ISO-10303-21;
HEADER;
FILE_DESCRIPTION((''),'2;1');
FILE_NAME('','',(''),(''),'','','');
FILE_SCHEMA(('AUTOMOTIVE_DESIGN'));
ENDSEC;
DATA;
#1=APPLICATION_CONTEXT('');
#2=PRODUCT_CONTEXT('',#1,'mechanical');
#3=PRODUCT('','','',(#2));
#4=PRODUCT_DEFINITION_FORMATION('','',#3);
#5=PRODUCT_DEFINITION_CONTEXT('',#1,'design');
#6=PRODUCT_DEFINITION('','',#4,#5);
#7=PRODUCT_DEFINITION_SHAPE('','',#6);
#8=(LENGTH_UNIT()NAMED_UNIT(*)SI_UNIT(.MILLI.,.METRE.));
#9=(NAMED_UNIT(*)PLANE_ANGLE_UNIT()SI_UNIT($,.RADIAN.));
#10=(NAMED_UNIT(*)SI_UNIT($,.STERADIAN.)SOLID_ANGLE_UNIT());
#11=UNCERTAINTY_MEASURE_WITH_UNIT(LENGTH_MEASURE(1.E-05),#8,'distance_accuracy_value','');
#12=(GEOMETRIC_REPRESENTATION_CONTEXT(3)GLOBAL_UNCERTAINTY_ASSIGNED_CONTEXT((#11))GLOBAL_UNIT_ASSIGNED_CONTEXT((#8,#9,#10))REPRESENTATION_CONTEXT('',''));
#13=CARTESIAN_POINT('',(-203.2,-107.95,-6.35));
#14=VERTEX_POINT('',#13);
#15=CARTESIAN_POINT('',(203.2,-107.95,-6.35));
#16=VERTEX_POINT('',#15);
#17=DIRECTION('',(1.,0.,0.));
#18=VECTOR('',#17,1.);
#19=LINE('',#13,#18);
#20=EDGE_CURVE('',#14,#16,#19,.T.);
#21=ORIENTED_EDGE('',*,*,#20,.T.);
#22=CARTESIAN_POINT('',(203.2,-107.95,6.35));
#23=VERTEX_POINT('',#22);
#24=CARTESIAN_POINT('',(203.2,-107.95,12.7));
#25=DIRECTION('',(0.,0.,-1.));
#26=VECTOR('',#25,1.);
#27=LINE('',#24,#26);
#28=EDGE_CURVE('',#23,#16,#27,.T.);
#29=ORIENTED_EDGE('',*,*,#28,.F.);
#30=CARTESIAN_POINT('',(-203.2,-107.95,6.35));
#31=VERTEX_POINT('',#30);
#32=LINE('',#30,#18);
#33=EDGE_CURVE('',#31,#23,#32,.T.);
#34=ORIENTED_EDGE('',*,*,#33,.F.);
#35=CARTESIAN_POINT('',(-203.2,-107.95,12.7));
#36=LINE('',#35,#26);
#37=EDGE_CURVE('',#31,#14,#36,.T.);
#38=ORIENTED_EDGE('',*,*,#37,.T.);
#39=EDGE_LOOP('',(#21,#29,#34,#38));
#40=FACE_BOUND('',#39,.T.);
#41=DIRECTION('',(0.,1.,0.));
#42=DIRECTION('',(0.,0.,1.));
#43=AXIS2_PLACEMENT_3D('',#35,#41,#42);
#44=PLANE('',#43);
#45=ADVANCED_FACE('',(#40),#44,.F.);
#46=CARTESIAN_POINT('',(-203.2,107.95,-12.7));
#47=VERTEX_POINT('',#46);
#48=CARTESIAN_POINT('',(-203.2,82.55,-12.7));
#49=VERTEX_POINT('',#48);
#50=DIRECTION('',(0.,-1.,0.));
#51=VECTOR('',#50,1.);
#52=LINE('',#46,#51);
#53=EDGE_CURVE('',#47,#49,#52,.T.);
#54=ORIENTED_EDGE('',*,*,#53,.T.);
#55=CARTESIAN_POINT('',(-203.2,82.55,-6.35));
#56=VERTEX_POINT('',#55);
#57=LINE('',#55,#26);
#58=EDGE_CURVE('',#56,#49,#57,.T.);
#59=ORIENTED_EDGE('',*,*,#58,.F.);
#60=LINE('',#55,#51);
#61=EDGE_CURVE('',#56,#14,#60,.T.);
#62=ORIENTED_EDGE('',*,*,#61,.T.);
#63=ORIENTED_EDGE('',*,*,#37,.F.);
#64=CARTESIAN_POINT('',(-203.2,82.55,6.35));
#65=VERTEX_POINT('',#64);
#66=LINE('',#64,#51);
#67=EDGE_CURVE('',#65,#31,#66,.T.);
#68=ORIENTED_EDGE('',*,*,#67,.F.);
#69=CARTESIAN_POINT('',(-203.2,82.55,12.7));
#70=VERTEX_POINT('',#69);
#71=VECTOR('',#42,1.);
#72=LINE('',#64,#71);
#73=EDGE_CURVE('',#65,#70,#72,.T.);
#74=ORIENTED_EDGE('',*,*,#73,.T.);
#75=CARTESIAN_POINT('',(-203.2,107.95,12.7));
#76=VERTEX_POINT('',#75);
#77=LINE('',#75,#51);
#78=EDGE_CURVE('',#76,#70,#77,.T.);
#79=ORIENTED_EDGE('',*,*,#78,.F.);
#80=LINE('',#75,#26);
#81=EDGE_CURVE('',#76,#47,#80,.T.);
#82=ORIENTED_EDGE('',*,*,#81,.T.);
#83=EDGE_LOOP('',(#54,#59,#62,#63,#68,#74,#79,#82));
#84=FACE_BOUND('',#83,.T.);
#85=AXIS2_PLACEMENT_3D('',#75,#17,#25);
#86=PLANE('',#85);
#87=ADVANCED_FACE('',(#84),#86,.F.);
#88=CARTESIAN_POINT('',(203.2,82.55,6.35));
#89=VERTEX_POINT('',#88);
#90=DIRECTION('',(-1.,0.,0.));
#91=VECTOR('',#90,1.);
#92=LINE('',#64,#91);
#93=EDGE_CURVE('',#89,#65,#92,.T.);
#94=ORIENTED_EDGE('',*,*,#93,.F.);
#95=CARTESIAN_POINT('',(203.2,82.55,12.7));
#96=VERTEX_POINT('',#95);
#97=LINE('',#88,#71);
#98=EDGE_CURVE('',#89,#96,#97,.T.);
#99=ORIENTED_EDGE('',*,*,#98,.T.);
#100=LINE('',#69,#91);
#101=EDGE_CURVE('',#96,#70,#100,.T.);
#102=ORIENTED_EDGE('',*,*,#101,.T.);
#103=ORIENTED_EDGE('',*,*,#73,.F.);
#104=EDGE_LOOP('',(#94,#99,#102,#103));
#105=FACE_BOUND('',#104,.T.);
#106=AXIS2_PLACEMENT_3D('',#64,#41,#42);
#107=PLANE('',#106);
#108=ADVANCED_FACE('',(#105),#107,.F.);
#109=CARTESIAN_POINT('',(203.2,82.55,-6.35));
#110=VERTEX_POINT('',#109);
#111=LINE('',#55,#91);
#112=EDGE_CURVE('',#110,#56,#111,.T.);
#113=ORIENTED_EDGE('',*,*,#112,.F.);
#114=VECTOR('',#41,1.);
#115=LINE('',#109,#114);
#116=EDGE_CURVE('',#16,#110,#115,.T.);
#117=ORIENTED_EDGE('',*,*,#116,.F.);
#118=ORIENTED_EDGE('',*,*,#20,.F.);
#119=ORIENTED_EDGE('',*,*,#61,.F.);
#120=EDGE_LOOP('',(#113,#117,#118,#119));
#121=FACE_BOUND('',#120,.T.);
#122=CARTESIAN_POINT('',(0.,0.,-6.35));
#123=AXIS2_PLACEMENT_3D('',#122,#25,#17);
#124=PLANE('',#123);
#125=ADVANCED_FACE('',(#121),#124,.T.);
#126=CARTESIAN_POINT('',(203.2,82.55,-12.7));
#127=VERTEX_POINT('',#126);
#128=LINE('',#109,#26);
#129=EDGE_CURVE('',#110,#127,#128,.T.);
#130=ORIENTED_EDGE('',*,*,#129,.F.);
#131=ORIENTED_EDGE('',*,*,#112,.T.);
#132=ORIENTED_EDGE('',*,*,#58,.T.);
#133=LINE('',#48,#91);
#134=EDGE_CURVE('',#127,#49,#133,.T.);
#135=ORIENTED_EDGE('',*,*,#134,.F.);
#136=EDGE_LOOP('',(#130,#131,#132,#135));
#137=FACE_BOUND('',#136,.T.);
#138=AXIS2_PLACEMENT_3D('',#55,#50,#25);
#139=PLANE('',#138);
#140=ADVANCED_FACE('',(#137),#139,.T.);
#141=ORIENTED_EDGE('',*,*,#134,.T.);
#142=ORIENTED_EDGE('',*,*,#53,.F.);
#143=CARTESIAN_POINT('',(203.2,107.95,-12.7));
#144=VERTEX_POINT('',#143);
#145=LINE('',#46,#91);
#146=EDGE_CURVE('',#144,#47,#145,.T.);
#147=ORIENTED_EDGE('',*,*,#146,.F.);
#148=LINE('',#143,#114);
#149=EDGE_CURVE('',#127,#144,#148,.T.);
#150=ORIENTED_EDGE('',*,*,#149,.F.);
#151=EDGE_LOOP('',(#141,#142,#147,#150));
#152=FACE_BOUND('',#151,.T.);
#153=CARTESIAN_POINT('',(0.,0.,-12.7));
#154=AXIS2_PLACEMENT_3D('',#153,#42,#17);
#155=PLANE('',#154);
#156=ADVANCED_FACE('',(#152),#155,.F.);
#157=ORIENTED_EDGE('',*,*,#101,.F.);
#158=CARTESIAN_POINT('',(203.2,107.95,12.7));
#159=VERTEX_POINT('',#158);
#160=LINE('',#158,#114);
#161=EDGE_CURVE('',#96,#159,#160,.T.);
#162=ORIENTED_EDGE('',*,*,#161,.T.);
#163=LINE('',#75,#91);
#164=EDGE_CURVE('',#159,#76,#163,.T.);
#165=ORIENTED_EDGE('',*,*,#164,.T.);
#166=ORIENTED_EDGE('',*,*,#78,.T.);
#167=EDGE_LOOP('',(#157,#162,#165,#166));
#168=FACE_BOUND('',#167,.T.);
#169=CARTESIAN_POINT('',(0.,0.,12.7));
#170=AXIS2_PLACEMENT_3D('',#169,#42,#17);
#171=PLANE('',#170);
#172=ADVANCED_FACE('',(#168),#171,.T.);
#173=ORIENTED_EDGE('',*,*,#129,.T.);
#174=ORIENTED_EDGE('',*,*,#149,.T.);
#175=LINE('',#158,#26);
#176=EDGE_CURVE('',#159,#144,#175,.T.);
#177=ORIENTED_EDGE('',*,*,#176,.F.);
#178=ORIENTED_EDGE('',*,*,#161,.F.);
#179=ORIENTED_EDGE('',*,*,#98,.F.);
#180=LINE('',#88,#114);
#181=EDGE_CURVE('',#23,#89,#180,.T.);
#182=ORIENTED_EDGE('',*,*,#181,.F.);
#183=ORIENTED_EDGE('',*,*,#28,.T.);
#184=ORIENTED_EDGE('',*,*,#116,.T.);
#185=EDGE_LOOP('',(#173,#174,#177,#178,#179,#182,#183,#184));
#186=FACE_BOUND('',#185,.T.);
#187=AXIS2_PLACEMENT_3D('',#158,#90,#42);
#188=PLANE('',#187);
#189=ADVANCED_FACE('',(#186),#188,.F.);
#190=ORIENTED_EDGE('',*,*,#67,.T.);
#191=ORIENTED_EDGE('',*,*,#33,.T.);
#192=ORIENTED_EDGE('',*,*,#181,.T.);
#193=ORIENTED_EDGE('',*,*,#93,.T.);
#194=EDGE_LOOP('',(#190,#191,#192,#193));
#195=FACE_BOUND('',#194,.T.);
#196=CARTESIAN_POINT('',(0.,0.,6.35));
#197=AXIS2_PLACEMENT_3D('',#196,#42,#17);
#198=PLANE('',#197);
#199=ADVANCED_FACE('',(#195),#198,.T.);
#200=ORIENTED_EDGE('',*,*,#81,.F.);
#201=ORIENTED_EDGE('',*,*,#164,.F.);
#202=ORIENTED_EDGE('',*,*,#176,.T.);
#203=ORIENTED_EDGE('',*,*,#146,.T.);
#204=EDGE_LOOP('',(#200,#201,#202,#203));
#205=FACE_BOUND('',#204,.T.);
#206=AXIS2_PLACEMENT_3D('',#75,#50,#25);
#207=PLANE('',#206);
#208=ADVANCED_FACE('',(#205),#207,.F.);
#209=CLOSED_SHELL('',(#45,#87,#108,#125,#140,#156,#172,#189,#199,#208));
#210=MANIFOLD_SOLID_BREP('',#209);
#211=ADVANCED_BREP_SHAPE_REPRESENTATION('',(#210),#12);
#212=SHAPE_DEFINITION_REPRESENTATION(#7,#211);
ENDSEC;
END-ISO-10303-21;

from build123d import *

# Parameters (mm, degrees)
SKETCH1_W           = 406.4
SKETCH1_H           = 215.9
BOSS_EXTRUDE1_DEPTH = 12.7
SKETCH3_W           = 406.4
SKETCH3_H           = 190.5
CUT_EXTRUDE1_DEPTH  = 6.35


with BuildPart() as part:
    # Sketch1 → Boss-Extrude1 (new, symmetric)
    with BuildSketch(Plane.XY):
        Rectangle(SKETCH1_W, SKETCH1_H)
    extrude(amount=BOSS_EXTRUDE1_DEPTH, both=True)

    # Sketch3 → Cut-Extrude1 (cut)
    with BuildSketch(Plane.XY.offset(12.7)):
        with Locations((0, -12.7)):
            Rectangle(SKETCH3_W, SKETCH3_H)
    cut_extrude1 = extrude(amount=-CUT_EXTRUDE1_DEPTH, mode=Mode.SUBTRACT)

    # Mirror1: Cut-Extrude1 across plane
    add(cut_extrude1.mirror(Plane.XY), mode=Mode.SUBTRACT)


solid = part.part
